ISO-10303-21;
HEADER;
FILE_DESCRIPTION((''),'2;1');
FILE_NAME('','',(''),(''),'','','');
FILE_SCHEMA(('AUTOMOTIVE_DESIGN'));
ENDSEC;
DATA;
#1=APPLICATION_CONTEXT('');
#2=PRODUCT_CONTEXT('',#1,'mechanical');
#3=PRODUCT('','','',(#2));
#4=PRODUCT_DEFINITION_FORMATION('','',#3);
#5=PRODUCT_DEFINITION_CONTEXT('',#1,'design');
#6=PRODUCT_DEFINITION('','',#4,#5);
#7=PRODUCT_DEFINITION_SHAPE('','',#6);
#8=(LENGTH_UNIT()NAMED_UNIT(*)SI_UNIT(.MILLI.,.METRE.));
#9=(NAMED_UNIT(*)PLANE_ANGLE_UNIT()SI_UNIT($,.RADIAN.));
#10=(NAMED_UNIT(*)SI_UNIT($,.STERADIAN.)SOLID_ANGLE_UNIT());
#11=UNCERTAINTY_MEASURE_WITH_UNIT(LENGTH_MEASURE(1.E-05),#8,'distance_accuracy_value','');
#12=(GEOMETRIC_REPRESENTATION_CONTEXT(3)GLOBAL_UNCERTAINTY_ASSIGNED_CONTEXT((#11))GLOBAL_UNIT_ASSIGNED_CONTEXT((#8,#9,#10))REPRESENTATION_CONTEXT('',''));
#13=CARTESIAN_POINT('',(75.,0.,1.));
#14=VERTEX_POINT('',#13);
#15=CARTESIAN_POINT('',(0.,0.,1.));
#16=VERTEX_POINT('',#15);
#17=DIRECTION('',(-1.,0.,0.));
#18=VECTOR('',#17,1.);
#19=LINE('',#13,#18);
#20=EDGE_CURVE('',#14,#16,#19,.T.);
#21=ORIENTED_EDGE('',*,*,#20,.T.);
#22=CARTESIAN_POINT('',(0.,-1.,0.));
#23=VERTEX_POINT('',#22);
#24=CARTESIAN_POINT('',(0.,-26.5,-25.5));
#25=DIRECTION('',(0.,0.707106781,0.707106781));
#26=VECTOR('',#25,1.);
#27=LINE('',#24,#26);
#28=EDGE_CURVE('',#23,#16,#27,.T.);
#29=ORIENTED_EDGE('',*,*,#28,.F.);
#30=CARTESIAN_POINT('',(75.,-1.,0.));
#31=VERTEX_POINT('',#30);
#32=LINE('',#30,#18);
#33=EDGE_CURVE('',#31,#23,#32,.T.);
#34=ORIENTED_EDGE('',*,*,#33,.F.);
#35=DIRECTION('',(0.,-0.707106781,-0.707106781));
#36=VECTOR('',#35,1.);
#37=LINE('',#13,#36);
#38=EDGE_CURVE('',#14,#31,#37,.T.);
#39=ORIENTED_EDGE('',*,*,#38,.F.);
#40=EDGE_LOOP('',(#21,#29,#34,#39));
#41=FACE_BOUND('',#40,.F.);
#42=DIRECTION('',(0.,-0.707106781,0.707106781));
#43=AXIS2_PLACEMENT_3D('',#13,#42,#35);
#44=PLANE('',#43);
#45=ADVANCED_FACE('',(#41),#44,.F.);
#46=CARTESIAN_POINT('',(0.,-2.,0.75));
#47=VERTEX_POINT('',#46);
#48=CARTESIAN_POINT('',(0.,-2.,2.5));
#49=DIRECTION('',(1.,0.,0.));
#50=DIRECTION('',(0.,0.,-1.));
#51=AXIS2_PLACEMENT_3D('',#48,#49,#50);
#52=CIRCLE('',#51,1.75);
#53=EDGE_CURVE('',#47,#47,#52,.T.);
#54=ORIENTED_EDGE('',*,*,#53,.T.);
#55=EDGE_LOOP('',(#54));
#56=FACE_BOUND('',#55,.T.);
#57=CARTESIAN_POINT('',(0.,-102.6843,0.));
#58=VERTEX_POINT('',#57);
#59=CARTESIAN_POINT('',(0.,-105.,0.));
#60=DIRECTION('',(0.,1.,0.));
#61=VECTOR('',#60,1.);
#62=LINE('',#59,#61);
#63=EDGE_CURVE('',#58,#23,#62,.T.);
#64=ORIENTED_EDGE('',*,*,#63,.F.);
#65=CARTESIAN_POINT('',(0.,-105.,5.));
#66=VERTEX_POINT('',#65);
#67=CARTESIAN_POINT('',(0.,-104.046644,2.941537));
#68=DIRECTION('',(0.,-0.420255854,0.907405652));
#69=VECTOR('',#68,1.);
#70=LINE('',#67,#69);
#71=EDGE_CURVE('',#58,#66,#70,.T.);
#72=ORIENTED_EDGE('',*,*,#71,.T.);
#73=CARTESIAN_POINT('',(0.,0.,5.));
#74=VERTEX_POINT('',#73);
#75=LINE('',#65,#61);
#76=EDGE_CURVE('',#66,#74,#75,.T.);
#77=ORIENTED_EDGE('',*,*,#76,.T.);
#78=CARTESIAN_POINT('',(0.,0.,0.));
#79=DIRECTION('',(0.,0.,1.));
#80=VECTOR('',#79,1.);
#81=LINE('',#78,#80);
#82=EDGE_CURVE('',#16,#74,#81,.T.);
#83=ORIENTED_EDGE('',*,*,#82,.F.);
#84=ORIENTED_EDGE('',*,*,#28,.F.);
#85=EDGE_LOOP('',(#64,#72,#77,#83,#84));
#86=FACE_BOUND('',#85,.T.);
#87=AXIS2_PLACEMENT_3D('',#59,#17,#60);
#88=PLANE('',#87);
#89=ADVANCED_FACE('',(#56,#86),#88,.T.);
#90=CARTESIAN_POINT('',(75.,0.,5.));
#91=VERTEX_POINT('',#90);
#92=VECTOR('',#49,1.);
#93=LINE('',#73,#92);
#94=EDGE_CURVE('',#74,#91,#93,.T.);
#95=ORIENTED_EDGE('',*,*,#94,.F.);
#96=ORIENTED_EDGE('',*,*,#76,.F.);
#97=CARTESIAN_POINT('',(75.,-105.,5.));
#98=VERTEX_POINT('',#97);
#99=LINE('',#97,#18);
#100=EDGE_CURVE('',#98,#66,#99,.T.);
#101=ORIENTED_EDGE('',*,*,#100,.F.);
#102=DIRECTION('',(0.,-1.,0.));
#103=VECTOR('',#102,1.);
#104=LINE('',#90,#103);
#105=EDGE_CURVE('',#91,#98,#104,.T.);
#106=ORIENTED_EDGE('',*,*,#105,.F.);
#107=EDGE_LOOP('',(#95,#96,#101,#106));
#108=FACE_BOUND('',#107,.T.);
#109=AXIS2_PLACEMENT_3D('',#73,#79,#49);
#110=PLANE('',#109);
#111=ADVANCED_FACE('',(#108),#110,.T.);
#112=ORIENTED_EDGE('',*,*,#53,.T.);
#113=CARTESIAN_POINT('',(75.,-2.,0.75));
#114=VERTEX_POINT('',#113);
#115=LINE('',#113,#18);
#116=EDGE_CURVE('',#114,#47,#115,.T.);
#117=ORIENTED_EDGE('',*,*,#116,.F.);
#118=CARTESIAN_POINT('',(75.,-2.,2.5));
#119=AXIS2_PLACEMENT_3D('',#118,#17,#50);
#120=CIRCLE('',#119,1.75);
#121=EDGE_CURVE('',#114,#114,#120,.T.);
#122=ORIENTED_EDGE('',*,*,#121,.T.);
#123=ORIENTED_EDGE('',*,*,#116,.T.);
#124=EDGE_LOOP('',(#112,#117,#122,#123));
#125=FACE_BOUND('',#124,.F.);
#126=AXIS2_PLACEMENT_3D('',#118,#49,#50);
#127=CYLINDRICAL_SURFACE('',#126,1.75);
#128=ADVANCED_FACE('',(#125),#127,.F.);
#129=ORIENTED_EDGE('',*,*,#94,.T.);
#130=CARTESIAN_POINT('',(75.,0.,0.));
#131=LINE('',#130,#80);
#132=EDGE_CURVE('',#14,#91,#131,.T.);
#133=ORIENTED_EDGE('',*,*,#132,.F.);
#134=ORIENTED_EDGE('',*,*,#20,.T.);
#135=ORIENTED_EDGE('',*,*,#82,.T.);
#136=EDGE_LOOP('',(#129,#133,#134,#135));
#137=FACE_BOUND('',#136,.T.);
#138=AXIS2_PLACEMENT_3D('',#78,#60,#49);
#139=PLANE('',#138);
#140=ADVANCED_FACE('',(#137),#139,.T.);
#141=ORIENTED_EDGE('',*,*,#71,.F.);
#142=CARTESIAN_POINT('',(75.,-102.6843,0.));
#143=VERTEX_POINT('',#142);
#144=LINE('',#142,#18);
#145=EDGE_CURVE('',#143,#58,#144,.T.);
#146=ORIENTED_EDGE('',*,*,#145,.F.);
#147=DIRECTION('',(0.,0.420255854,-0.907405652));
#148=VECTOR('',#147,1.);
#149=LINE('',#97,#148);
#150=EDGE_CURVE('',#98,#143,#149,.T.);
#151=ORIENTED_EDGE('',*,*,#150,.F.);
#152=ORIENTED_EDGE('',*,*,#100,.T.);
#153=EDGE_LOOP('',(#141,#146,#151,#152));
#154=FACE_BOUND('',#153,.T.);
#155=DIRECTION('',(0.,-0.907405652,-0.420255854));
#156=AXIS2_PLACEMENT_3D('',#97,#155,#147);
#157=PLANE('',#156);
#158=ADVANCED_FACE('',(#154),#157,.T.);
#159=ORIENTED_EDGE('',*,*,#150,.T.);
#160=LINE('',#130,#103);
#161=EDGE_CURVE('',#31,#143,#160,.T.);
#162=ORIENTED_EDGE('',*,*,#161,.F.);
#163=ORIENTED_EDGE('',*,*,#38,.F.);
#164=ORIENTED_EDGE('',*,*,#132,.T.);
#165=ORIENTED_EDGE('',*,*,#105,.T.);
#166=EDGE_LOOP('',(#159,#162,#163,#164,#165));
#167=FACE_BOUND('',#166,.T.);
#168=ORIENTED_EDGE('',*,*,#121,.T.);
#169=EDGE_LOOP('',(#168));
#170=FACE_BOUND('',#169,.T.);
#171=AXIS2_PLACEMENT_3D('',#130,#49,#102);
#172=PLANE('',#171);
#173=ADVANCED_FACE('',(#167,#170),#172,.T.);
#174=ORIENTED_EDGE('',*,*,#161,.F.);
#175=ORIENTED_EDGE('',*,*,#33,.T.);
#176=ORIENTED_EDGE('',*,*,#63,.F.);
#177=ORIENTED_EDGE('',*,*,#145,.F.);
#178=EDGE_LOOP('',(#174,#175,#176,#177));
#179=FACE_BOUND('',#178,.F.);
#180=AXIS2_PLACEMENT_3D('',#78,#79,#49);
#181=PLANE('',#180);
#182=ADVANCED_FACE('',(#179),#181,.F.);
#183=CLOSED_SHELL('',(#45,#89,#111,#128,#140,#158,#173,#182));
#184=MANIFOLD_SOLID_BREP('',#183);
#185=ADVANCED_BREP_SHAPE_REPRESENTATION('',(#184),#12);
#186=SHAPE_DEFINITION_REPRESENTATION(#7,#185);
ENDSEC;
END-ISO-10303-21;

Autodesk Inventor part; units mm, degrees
ref_plane "YZ Plane" through (0, 0, 0) normal (1, 0, 0) x (0, 1, 0)
ref_plane "XZ Plane" through (0, 0, 0) normal (0, 1, 0) x (-1, 0, 0)
ref_plane "XY Plane" through (0, 0, 0) normal (0, 0, 1) x (1, 0, 0)
sketch "Sketch1" plane through (0, 0, 0) normal (0, 0, 1) x (1, 0, 0)
  line L0 (0, 0) -> (75, 0)
  line L1 (75, 0) -> (75, -105)
  line L2 (75, -105) -> (0, -105)
  line L3 (0, -105) -> (0, 0)
  dimension "d0" = 75
  dimension "d1" = 105
extrude "Extrusion1" add sketch "Sketch1" along normal blind 5
sketch "Sketch2" plane through (75, -105, 0) normal (1, 0, 0) x (0, 0, -1)
  line L0 (-5, 0) -> (-5, 105) projected
  line L1 (0, 0) -> (0, 105) projected
  line L2 (-5, 105) -> (0, 105)
  line L3 (0, 105) -> (0, 102)
  line L4 (0, 102) -> (-5, 102)
  line L5 (-5, 102) -> (-5, 105)
  circle A0 centre (-2.5, 103) radius 1.75
  line L6 (0, 105) -> (-1, 105)
  line L7 (0, 105) -> (-5, 105) projected
  line L8 (0, 105) -> (0, 104)
  line L9 (-1, 105) -> (0, 104)
  point P0 (-1, 105)
  point P1 (0, 104)
  point P2 (-2.5, 105)
  point P3 (-2.5, 105)
  dimension "d4" = 3
  dimension "d5" = 3.5
  dimension "d6" = 1
  dimension "d7" = 1
  dimension "d14" = 2
extrude "Extrusion2" cut sketch "Sketch2" against normal through all contours A0 L4 | L4 A0
extrude "Extrusion3" cut sketch "Sketch2" against normal through all contours L2 L1 L9
sketch "Sketch3" plane through (75, -105, 5) normal (1, 0, 0) x (0, 0, -1)
  line L0 (0, 105) -> (0, 0) projected
  line L1 (5, 104) -> (5, 0) projected
  line L2 (0, 0) -> (5, 2.3157)
  line L3 (5, 0) -> (5, 104) projected
  line L4 (5, 0) -> (0, 0) projected
  line L5 (5, 2.3157) -> (5, 0)
  line L6 (5, 0) -> (0, 0)
  point P0 (5, 105)
extrude "Extrusion4" cut sketch "Sketch3" against normal through all
properties part number "stojka - správná verze"
